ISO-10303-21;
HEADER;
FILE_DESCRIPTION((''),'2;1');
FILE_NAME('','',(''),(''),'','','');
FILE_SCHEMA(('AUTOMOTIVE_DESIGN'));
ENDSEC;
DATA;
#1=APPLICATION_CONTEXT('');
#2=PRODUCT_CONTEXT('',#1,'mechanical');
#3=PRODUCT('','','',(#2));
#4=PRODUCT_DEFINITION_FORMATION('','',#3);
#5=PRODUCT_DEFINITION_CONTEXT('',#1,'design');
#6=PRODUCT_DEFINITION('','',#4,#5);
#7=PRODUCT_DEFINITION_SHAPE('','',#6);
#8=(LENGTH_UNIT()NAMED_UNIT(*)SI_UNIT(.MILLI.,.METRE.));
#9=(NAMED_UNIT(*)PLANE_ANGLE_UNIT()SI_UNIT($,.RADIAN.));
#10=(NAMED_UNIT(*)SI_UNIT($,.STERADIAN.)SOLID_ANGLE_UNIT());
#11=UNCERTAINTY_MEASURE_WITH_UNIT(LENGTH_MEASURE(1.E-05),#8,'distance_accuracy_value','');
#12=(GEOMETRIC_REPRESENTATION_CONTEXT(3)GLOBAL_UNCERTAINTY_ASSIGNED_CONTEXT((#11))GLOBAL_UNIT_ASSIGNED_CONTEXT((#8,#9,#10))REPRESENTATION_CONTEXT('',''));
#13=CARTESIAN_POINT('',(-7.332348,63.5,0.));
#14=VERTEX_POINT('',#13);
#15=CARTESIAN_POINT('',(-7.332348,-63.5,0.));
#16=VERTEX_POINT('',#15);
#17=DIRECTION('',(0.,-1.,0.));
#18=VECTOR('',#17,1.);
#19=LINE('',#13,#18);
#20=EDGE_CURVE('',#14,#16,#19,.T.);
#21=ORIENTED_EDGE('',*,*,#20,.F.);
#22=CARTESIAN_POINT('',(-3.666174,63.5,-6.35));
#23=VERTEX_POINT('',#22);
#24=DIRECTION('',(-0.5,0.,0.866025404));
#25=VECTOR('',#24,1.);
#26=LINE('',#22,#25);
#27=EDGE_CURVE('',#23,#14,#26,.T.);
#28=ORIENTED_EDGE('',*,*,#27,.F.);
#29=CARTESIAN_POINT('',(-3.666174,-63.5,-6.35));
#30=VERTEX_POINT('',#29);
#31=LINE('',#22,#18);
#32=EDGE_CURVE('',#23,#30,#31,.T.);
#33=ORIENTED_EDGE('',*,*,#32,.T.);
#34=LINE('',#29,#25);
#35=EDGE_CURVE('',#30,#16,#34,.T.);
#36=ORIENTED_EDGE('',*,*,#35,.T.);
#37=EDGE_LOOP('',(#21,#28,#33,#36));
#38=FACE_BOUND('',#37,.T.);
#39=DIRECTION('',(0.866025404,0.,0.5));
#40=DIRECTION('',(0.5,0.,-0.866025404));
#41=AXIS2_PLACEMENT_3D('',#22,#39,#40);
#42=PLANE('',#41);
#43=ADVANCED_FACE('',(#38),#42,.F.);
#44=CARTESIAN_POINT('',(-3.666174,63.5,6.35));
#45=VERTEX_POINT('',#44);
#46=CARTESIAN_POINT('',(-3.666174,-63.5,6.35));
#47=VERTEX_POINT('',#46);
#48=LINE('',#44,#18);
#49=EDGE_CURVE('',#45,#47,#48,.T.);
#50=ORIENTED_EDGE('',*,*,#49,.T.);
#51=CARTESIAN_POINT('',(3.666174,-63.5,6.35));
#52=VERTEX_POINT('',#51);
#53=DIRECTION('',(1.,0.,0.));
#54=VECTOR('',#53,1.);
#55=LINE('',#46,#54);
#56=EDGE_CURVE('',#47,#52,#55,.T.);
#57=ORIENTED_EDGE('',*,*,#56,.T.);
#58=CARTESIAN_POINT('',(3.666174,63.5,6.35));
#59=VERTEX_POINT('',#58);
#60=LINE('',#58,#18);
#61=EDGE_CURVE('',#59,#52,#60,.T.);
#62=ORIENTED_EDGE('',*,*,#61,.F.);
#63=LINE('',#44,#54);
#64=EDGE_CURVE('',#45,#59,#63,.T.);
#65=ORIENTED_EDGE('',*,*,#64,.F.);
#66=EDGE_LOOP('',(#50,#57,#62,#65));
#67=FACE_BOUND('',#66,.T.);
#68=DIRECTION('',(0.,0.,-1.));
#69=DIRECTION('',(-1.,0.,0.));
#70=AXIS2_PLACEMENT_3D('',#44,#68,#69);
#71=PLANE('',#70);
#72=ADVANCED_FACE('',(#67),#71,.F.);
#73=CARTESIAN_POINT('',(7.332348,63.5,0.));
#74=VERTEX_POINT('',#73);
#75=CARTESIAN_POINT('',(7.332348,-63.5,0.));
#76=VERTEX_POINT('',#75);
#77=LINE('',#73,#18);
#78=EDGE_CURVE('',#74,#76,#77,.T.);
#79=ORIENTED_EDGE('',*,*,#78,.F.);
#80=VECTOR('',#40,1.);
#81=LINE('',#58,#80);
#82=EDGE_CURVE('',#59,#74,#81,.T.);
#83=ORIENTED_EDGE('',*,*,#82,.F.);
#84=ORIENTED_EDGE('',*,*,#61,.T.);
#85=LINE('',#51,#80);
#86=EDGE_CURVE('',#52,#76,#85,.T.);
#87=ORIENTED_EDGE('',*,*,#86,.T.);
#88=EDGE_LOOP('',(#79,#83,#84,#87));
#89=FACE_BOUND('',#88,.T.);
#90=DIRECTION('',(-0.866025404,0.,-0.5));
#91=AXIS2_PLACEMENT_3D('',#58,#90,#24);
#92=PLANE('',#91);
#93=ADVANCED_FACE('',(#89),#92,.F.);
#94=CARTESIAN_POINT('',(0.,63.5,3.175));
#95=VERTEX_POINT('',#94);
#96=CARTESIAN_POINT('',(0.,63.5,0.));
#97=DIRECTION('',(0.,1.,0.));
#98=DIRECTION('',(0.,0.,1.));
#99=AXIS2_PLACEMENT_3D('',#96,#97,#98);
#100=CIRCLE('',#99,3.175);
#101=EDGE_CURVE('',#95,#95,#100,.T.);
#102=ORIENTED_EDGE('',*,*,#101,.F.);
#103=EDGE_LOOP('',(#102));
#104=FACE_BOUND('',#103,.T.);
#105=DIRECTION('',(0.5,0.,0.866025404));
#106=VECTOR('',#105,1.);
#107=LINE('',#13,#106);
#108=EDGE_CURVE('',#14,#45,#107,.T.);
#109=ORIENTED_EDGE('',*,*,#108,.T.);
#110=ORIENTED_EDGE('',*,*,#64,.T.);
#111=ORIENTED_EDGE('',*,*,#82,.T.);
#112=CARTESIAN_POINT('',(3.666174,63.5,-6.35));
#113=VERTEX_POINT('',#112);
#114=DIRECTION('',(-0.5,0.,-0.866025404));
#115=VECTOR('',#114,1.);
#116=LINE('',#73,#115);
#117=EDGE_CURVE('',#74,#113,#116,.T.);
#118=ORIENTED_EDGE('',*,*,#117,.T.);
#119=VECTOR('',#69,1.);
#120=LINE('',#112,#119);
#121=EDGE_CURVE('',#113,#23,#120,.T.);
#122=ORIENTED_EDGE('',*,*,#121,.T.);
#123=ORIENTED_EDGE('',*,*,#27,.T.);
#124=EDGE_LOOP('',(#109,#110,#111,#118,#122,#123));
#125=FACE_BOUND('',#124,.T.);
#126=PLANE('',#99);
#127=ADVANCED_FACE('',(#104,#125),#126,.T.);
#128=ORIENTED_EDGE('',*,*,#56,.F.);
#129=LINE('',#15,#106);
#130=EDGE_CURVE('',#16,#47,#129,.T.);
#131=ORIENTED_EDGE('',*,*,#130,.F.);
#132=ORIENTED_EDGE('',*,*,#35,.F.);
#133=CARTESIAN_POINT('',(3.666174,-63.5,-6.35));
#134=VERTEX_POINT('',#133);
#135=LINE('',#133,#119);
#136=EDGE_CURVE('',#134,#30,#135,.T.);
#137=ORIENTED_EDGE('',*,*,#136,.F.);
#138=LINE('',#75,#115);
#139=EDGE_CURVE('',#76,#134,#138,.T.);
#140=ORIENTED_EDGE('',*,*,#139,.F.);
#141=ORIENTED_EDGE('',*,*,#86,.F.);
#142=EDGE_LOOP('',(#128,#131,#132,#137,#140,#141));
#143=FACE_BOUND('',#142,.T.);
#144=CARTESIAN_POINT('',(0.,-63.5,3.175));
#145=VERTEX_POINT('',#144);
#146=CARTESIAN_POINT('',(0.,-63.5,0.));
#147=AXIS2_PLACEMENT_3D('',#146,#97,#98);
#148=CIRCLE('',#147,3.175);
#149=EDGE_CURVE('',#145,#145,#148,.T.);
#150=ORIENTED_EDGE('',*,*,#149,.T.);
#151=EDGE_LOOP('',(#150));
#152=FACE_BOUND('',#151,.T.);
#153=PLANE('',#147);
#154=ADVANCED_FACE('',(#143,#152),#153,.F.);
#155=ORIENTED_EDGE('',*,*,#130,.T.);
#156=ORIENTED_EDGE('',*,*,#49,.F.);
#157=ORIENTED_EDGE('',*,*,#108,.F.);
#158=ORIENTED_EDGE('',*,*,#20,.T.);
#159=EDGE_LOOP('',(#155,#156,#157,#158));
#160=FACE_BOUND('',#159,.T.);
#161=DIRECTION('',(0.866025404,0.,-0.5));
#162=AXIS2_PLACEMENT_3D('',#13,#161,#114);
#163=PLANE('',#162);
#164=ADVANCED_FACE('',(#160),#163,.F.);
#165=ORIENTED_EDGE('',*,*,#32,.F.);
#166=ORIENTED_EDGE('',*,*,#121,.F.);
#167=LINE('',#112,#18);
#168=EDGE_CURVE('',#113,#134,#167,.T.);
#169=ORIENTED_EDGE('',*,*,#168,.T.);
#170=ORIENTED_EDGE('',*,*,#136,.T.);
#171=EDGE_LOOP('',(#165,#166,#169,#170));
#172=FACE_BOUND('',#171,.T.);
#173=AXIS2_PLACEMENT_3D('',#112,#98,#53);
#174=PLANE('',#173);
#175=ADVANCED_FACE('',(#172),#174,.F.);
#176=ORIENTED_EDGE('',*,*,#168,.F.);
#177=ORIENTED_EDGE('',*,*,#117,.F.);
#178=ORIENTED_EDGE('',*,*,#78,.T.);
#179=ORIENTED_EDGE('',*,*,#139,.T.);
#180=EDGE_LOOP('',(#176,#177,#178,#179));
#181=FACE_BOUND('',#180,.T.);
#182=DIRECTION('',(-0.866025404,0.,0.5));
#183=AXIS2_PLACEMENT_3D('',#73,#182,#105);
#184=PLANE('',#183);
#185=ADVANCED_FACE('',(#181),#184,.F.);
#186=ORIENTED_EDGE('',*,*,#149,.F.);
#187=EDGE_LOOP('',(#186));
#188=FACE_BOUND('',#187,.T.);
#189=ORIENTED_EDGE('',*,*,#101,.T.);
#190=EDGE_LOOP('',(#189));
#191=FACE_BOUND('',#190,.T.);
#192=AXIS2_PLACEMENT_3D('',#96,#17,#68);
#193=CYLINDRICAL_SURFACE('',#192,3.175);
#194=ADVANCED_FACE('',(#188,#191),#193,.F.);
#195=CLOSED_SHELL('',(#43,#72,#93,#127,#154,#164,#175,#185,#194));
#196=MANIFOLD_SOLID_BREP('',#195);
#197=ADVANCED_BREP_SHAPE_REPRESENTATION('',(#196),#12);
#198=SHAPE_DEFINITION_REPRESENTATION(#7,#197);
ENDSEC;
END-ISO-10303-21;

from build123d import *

# Parameters (mm, degrees)
SKETCH1_R           = 3.175
BOSS_EXTRUDE1_DEPTH = 63.5


with BuildPart() as part:
    # Sketch1 → Boss-Extrude1 (new body, symmetric)
    with BuildSketch(Plane(origin=(0, 0, 0), x_dir=(1, 0, 0), z_dir=(0, 1, 0))):
        Polygon((3.666174209, -6.35), (7.332348419, 0), (3.666174209, 6.35), (-3.666174209, 6.35), (-7.332348419, 0), (-3.666174209, -6.35), align=None)
        Circle(SKETCH1_R, mode=Mode.SUBTRACT)
    extrude(amount=BOSS_EXTRUDE1_DEPTH, both=True)


solid = part.part
